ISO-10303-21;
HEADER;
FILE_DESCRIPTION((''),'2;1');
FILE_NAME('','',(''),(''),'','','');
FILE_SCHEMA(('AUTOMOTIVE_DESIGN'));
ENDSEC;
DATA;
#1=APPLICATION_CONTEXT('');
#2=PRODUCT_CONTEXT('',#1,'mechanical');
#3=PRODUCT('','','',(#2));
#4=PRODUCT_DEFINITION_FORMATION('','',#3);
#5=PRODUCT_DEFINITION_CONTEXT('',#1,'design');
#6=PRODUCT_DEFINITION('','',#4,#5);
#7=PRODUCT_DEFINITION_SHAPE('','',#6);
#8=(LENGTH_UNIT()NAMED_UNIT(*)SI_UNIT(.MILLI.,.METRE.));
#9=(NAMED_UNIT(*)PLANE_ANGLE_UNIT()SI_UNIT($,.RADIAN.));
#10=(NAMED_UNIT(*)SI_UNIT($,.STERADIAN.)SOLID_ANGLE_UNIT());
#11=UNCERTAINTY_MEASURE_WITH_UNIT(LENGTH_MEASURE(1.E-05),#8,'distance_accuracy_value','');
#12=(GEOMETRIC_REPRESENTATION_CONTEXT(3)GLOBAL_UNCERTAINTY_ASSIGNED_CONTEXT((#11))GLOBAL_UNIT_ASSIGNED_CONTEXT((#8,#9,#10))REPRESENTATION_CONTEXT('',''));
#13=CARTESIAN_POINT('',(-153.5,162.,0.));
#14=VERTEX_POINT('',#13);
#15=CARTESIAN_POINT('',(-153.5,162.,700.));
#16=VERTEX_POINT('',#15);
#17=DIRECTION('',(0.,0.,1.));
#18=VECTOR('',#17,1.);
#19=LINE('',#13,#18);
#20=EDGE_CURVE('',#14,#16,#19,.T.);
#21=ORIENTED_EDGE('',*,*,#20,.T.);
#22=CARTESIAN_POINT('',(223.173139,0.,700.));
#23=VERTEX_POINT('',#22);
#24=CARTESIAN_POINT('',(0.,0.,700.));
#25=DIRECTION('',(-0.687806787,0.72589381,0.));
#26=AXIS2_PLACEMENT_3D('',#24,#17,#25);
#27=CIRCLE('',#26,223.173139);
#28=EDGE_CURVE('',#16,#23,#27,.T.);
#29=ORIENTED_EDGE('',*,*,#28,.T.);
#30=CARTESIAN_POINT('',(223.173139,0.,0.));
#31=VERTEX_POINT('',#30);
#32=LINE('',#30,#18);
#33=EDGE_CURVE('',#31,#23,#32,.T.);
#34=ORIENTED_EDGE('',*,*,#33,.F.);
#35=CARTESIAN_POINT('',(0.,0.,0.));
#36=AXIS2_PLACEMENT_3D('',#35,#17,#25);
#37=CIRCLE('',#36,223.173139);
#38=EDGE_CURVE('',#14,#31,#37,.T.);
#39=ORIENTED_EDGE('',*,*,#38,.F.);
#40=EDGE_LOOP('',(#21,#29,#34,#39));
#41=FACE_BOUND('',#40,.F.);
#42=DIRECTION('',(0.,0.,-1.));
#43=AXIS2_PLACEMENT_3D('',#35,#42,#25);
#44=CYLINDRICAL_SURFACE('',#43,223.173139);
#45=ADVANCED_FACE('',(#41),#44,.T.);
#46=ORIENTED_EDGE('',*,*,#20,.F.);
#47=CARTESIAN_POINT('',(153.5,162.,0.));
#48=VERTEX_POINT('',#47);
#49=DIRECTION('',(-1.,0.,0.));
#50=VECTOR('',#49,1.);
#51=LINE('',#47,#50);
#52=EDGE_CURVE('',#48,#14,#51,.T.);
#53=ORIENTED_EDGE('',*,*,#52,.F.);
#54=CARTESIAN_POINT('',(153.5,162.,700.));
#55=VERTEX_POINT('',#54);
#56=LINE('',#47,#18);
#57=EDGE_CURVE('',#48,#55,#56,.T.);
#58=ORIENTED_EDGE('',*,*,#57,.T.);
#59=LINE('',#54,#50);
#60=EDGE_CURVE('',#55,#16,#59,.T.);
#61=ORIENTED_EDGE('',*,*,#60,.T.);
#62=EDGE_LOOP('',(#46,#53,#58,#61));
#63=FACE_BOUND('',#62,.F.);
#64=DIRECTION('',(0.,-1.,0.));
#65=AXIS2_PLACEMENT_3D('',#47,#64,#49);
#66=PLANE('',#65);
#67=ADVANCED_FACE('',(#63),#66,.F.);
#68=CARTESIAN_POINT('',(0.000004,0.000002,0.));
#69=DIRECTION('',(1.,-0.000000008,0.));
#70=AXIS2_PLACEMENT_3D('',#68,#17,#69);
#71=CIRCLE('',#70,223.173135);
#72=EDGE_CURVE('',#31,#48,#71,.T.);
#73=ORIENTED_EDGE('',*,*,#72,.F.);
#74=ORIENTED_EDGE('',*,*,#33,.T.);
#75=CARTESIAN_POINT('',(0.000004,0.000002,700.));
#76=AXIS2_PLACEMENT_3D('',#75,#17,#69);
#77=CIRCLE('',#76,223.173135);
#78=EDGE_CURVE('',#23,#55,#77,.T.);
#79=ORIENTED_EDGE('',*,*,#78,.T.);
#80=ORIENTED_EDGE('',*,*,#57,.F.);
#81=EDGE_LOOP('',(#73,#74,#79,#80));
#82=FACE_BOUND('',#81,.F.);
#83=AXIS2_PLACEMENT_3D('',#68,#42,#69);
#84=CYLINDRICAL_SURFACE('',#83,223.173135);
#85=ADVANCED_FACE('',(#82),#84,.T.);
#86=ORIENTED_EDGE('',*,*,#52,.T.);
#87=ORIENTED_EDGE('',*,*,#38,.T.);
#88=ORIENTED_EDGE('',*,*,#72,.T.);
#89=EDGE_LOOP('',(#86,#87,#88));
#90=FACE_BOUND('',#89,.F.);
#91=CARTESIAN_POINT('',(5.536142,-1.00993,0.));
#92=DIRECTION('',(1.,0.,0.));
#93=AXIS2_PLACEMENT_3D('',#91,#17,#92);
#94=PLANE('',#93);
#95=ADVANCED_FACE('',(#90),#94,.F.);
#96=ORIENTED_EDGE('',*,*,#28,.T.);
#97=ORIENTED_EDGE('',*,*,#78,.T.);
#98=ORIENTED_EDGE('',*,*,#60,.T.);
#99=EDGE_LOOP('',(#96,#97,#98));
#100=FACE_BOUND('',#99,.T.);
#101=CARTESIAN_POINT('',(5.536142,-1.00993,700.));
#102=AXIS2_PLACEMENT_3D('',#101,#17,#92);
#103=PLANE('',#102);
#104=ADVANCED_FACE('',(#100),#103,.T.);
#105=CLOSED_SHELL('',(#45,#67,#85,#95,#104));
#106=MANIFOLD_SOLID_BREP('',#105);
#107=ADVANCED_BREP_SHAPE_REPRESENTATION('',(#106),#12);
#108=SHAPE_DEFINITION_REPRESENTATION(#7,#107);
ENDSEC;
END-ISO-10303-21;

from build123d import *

# Parameters (mm, degrees)
F1_DEPTH = 700


with BuildPart() as f1:
    # F0 (on Top) → F1 (new body)
    with BuildSketch(Plane.XY):
        with BuildLine():
            ThreePointArc((-153.5, 162), (-88.173616, -205.016252), (223.173139, 0))
            ThreePointArc((223.173139, 0), (205.016252, 88.173616), (153.5, 162))
            Line((153.5, 162), (-153.5, 162))
        make_face()
    extrude(amount=F1_DEPTH)


solid = f1.part
